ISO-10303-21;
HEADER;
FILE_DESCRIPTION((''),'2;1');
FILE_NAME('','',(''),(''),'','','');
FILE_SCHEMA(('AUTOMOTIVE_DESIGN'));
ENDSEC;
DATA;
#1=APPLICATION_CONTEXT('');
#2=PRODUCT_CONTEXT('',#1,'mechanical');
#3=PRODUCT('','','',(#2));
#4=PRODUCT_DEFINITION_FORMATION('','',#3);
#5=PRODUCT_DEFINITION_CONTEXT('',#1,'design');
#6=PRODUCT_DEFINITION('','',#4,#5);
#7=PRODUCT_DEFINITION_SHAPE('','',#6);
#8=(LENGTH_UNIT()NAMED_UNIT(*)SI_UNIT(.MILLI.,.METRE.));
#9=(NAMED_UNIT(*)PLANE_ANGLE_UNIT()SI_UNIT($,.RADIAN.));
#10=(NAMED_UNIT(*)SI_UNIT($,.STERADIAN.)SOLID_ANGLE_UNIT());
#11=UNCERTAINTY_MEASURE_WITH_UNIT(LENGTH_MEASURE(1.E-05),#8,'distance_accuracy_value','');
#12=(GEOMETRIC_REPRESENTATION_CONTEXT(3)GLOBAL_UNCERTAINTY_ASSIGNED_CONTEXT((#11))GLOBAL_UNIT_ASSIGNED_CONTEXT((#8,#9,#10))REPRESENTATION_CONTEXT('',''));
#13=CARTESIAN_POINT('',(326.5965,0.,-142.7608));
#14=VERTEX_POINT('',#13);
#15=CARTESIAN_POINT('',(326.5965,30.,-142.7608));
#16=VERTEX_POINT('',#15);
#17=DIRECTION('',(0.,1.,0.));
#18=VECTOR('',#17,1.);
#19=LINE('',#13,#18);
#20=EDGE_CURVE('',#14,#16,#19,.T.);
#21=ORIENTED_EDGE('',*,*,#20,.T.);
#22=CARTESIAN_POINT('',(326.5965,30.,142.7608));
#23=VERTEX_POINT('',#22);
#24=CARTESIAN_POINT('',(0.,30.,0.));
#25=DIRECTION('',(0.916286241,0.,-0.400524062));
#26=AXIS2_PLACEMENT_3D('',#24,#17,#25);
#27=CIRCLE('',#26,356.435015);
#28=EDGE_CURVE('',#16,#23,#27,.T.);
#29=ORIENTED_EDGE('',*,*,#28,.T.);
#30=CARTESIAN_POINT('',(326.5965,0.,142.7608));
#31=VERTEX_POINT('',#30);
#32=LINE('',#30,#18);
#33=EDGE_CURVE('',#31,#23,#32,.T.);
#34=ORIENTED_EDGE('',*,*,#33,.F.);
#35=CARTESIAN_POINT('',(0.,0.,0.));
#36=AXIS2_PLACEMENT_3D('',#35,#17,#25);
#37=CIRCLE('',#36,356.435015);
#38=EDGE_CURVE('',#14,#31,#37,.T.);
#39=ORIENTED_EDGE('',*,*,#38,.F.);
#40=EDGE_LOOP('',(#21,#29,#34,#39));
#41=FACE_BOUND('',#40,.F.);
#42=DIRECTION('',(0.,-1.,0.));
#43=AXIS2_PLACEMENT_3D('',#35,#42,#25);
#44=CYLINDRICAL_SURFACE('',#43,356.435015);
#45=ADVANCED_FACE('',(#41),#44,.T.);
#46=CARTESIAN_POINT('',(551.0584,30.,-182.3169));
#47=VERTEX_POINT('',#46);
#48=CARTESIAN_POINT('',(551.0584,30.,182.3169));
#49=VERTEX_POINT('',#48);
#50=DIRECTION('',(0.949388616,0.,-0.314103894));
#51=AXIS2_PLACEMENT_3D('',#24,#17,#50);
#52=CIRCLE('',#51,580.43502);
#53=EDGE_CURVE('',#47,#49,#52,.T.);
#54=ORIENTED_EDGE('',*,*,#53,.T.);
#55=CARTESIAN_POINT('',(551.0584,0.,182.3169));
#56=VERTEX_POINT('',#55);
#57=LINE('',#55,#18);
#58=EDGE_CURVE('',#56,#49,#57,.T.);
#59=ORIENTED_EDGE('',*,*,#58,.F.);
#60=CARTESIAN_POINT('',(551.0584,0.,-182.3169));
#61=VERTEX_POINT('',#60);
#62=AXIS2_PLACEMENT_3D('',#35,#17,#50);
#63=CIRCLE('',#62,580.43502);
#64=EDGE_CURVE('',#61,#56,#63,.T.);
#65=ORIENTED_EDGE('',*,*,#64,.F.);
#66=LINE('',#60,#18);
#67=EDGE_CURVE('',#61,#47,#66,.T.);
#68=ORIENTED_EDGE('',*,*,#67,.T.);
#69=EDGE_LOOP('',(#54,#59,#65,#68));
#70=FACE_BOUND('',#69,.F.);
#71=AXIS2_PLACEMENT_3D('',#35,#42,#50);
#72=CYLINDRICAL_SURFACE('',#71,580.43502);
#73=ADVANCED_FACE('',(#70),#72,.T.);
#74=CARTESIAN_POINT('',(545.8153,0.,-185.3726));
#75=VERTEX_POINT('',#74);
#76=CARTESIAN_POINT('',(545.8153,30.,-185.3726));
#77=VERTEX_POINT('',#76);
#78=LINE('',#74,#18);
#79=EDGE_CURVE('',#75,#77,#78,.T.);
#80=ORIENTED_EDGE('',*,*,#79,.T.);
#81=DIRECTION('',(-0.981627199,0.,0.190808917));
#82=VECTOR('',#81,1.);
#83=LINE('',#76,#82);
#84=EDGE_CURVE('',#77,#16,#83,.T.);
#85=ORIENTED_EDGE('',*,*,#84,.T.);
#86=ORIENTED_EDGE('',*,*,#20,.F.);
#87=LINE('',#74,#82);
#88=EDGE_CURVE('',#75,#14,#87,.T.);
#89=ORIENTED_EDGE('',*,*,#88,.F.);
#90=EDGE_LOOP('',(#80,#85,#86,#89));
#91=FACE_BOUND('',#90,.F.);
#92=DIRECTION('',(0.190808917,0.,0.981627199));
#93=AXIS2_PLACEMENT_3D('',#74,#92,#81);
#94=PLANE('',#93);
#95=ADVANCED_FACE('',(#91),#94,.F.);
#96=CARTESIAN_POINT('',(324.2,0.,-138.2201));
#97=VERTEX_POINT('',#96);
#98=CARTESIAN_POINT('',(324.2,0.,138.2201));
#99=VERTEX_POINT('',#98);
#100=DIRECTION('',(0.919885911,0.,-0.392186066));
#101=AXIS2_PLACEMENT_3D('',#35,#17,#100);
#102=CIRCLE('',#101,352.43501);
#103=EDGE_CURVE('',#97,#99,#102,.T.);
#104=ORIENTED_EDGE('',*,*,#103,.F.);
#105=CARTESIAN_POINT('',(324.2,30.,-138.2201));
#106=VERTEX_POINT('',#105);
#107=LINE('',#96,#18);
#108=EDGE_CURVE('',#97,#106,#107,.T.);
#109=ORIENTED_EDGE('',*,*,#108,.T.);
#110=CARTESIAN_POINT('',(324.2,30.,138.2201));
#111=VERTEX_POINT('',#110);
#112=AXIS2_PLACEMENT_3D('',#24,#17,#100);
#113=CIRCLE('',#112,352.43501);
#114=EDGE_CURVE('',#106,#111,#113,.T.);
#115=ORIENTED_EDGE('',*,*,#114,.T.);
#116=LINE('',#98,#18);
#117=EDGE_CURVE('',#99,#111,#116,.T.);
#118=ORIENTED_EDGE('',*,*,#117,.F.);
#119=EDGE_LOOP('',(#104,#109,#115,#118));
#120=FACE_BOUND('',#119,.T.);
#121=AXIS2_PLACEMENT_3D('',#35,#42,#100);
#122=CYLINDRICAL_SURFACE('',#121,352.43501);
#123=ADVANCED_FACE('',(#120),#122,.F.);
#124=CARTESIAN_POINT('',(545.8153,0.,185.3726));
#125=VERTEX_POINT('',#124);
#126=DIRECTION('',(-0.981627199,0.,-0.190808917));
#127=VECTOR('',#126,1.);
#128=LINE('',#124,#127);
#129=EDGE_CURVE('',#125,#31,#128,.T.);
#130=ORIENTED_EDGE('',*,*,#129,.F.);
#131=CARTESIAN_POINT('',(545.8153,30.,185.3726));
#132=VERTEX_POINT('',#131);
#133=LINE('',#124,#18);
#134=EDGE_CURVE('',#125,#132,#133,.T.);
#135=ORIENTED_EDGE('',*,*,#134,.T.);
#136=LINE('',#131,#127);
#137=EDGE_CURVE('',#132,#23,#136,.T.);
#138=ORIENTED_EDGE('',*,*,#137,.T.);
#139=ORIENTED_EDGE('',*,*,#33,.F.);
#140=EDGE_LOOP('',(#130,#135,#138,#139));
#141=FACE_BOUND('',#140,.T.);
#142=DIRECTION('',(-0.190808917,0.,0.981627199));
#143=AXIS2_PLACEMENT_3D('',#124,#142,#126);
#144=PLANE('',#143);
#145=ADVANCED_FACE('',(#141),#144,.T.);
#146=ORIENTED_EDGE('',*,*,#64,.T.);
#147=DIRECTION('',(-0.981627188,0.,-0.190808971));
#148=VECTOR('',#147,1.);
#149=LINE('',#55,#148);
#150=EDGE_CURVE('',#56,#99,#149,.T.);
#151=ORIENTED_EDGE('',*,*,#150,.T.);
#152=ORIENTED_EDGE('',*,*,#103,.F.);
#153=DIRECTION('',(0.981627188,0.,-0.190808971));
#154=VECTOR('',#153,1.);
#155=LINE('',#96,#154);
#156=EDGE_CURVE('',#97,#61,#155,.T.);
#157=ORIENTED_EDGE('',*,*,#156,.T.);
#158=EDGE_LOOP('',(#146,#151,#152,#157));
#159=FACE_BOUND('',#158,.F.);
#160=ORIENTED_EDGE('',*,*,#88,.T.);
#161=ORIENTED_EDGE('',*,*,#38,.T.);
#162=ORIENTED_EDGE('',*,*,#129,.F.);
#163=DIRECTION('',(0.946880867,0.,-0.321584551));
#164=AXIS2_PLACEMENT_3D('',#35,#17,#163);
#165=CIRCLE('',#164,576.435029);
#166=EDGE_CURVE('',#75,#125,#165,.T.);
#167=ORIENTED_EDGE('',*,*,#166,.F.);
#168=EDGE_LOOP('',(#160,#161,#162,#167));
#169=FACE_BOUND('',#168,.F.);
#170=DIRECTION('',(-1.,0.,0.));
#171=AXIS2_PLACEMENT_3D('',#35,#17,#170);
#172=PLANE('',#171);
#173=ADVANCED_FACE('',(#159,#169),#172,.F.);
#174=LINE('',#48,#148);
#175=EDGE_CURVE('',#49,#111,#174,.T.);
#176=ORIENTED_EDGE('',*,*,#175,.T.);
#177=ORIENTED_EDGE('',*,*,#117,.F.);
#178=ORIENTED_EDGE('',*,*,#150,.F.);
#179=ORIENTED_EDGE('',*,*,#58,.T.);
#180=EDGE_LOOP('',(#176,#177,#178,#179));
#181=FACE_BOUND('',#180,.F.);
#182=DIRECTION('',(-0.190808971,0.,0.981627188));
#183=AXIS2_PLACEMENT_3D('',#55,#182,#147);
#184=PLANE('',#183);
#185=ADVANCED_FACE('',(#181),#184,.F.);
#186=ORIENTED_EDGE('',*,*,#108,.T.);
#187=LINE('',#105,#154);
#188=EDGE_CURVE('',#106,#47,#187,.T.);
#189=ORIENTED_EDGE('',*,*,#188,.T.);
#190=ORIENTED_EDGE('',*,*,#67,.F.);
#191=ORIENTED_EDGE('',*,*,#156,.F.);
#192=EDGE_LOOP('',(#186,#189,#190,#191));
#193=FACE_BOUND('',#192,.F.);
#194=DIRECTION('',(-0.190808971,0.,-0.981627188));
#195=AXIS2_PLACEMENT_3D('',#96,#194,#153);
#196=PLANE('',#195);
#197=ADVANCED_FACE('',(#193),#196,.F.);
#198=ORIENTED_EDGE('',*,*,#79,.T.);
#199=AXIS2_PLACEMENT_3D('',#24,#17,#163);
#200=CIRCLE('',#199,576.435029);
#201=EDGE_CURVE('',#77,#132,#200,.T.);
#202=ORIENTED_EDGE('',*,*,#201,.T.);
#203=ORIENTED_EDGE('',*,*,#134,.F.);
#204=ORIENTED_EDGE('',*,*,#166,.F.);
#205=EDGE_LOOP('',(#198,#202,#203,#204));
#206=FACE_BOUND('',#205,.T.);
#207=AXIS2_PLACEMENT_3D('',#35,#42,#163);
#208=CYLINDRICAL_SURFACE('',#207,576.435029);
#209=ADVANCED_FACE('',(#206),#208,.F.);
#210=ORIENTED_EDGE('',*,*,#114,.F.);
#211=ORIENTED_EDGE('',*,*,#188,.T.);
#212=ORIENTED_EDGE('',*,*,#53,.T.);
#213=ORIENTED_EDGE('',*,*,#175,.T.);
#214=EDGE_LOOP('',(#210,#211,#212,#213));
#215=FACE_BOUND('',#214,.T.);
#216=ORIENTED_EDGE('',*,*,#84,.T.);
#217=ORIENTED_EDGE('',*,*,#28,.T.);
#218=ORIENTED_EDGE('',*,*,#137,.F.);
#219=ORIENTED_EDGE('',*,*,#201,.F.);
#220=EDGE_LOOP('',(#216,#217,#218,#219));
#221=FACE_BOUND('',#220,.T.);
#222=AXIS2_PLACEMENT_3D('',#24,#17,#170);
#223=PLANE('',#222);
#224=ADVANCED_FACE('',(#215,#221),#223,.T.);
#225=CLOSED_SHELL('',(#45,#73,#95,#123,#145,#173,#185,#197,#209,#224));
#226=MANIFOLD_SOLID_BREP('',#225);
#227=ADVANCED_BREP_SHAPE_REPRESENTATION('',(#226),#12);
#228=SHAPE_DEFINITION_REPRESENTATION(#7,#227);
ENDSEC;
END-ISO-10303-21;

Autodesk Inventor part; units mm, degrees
ref_plane "YZ Plane" through (0, 0, 0) normal (1, 0, 0) x (0, 1, 0)
ref_plane "XZ Plane" through (0, 0, 0) normal (0, 1, 0) x (-1, 0, 0)
ref_plane "XY Plane" through (0, 0, 0) normal (0, 0, 1) x (1, 0, 0)
sketch "Sketch1" plane through (0, 0, 0) normal (0, 1, 0) x (-1, 0, 0)
  line L0 (-545.8153, 185.3726) -> (-326.5965, 142.7608)
  line L1 (-545.8153, -185.3726) -> (-326.5965, -142.7608)
  arc A0 (-545.8153, -185.3726) -> (-545.8153, 185.3726) centre (0, 0) ccw
  arc A1 (-326.5965, -142.7608) -> (-326.5965, 142.7608) centre (0, 0) ccw
  arc A2 (-324.2, -138.2201) -> (-324.2, 138.2201) centre (0, 0) ccw
  arc A3 (-551.0584, -182.3169) -> (-551.0584, 182.3169) centre (0, 0) ccw
  line L2 (-551.0584, 182.3169) -> (-324.2, 138.2201)
  line L3 (-324.2, -138.2201) -> (-551.0584, -182.3169)
  dimension "d81" = 4
  dimension "d82" = 4
extrude "Extrusion2" add sketch "Sketch1" along normal blind 30
properties part number "Level 2 Edge Banding"
